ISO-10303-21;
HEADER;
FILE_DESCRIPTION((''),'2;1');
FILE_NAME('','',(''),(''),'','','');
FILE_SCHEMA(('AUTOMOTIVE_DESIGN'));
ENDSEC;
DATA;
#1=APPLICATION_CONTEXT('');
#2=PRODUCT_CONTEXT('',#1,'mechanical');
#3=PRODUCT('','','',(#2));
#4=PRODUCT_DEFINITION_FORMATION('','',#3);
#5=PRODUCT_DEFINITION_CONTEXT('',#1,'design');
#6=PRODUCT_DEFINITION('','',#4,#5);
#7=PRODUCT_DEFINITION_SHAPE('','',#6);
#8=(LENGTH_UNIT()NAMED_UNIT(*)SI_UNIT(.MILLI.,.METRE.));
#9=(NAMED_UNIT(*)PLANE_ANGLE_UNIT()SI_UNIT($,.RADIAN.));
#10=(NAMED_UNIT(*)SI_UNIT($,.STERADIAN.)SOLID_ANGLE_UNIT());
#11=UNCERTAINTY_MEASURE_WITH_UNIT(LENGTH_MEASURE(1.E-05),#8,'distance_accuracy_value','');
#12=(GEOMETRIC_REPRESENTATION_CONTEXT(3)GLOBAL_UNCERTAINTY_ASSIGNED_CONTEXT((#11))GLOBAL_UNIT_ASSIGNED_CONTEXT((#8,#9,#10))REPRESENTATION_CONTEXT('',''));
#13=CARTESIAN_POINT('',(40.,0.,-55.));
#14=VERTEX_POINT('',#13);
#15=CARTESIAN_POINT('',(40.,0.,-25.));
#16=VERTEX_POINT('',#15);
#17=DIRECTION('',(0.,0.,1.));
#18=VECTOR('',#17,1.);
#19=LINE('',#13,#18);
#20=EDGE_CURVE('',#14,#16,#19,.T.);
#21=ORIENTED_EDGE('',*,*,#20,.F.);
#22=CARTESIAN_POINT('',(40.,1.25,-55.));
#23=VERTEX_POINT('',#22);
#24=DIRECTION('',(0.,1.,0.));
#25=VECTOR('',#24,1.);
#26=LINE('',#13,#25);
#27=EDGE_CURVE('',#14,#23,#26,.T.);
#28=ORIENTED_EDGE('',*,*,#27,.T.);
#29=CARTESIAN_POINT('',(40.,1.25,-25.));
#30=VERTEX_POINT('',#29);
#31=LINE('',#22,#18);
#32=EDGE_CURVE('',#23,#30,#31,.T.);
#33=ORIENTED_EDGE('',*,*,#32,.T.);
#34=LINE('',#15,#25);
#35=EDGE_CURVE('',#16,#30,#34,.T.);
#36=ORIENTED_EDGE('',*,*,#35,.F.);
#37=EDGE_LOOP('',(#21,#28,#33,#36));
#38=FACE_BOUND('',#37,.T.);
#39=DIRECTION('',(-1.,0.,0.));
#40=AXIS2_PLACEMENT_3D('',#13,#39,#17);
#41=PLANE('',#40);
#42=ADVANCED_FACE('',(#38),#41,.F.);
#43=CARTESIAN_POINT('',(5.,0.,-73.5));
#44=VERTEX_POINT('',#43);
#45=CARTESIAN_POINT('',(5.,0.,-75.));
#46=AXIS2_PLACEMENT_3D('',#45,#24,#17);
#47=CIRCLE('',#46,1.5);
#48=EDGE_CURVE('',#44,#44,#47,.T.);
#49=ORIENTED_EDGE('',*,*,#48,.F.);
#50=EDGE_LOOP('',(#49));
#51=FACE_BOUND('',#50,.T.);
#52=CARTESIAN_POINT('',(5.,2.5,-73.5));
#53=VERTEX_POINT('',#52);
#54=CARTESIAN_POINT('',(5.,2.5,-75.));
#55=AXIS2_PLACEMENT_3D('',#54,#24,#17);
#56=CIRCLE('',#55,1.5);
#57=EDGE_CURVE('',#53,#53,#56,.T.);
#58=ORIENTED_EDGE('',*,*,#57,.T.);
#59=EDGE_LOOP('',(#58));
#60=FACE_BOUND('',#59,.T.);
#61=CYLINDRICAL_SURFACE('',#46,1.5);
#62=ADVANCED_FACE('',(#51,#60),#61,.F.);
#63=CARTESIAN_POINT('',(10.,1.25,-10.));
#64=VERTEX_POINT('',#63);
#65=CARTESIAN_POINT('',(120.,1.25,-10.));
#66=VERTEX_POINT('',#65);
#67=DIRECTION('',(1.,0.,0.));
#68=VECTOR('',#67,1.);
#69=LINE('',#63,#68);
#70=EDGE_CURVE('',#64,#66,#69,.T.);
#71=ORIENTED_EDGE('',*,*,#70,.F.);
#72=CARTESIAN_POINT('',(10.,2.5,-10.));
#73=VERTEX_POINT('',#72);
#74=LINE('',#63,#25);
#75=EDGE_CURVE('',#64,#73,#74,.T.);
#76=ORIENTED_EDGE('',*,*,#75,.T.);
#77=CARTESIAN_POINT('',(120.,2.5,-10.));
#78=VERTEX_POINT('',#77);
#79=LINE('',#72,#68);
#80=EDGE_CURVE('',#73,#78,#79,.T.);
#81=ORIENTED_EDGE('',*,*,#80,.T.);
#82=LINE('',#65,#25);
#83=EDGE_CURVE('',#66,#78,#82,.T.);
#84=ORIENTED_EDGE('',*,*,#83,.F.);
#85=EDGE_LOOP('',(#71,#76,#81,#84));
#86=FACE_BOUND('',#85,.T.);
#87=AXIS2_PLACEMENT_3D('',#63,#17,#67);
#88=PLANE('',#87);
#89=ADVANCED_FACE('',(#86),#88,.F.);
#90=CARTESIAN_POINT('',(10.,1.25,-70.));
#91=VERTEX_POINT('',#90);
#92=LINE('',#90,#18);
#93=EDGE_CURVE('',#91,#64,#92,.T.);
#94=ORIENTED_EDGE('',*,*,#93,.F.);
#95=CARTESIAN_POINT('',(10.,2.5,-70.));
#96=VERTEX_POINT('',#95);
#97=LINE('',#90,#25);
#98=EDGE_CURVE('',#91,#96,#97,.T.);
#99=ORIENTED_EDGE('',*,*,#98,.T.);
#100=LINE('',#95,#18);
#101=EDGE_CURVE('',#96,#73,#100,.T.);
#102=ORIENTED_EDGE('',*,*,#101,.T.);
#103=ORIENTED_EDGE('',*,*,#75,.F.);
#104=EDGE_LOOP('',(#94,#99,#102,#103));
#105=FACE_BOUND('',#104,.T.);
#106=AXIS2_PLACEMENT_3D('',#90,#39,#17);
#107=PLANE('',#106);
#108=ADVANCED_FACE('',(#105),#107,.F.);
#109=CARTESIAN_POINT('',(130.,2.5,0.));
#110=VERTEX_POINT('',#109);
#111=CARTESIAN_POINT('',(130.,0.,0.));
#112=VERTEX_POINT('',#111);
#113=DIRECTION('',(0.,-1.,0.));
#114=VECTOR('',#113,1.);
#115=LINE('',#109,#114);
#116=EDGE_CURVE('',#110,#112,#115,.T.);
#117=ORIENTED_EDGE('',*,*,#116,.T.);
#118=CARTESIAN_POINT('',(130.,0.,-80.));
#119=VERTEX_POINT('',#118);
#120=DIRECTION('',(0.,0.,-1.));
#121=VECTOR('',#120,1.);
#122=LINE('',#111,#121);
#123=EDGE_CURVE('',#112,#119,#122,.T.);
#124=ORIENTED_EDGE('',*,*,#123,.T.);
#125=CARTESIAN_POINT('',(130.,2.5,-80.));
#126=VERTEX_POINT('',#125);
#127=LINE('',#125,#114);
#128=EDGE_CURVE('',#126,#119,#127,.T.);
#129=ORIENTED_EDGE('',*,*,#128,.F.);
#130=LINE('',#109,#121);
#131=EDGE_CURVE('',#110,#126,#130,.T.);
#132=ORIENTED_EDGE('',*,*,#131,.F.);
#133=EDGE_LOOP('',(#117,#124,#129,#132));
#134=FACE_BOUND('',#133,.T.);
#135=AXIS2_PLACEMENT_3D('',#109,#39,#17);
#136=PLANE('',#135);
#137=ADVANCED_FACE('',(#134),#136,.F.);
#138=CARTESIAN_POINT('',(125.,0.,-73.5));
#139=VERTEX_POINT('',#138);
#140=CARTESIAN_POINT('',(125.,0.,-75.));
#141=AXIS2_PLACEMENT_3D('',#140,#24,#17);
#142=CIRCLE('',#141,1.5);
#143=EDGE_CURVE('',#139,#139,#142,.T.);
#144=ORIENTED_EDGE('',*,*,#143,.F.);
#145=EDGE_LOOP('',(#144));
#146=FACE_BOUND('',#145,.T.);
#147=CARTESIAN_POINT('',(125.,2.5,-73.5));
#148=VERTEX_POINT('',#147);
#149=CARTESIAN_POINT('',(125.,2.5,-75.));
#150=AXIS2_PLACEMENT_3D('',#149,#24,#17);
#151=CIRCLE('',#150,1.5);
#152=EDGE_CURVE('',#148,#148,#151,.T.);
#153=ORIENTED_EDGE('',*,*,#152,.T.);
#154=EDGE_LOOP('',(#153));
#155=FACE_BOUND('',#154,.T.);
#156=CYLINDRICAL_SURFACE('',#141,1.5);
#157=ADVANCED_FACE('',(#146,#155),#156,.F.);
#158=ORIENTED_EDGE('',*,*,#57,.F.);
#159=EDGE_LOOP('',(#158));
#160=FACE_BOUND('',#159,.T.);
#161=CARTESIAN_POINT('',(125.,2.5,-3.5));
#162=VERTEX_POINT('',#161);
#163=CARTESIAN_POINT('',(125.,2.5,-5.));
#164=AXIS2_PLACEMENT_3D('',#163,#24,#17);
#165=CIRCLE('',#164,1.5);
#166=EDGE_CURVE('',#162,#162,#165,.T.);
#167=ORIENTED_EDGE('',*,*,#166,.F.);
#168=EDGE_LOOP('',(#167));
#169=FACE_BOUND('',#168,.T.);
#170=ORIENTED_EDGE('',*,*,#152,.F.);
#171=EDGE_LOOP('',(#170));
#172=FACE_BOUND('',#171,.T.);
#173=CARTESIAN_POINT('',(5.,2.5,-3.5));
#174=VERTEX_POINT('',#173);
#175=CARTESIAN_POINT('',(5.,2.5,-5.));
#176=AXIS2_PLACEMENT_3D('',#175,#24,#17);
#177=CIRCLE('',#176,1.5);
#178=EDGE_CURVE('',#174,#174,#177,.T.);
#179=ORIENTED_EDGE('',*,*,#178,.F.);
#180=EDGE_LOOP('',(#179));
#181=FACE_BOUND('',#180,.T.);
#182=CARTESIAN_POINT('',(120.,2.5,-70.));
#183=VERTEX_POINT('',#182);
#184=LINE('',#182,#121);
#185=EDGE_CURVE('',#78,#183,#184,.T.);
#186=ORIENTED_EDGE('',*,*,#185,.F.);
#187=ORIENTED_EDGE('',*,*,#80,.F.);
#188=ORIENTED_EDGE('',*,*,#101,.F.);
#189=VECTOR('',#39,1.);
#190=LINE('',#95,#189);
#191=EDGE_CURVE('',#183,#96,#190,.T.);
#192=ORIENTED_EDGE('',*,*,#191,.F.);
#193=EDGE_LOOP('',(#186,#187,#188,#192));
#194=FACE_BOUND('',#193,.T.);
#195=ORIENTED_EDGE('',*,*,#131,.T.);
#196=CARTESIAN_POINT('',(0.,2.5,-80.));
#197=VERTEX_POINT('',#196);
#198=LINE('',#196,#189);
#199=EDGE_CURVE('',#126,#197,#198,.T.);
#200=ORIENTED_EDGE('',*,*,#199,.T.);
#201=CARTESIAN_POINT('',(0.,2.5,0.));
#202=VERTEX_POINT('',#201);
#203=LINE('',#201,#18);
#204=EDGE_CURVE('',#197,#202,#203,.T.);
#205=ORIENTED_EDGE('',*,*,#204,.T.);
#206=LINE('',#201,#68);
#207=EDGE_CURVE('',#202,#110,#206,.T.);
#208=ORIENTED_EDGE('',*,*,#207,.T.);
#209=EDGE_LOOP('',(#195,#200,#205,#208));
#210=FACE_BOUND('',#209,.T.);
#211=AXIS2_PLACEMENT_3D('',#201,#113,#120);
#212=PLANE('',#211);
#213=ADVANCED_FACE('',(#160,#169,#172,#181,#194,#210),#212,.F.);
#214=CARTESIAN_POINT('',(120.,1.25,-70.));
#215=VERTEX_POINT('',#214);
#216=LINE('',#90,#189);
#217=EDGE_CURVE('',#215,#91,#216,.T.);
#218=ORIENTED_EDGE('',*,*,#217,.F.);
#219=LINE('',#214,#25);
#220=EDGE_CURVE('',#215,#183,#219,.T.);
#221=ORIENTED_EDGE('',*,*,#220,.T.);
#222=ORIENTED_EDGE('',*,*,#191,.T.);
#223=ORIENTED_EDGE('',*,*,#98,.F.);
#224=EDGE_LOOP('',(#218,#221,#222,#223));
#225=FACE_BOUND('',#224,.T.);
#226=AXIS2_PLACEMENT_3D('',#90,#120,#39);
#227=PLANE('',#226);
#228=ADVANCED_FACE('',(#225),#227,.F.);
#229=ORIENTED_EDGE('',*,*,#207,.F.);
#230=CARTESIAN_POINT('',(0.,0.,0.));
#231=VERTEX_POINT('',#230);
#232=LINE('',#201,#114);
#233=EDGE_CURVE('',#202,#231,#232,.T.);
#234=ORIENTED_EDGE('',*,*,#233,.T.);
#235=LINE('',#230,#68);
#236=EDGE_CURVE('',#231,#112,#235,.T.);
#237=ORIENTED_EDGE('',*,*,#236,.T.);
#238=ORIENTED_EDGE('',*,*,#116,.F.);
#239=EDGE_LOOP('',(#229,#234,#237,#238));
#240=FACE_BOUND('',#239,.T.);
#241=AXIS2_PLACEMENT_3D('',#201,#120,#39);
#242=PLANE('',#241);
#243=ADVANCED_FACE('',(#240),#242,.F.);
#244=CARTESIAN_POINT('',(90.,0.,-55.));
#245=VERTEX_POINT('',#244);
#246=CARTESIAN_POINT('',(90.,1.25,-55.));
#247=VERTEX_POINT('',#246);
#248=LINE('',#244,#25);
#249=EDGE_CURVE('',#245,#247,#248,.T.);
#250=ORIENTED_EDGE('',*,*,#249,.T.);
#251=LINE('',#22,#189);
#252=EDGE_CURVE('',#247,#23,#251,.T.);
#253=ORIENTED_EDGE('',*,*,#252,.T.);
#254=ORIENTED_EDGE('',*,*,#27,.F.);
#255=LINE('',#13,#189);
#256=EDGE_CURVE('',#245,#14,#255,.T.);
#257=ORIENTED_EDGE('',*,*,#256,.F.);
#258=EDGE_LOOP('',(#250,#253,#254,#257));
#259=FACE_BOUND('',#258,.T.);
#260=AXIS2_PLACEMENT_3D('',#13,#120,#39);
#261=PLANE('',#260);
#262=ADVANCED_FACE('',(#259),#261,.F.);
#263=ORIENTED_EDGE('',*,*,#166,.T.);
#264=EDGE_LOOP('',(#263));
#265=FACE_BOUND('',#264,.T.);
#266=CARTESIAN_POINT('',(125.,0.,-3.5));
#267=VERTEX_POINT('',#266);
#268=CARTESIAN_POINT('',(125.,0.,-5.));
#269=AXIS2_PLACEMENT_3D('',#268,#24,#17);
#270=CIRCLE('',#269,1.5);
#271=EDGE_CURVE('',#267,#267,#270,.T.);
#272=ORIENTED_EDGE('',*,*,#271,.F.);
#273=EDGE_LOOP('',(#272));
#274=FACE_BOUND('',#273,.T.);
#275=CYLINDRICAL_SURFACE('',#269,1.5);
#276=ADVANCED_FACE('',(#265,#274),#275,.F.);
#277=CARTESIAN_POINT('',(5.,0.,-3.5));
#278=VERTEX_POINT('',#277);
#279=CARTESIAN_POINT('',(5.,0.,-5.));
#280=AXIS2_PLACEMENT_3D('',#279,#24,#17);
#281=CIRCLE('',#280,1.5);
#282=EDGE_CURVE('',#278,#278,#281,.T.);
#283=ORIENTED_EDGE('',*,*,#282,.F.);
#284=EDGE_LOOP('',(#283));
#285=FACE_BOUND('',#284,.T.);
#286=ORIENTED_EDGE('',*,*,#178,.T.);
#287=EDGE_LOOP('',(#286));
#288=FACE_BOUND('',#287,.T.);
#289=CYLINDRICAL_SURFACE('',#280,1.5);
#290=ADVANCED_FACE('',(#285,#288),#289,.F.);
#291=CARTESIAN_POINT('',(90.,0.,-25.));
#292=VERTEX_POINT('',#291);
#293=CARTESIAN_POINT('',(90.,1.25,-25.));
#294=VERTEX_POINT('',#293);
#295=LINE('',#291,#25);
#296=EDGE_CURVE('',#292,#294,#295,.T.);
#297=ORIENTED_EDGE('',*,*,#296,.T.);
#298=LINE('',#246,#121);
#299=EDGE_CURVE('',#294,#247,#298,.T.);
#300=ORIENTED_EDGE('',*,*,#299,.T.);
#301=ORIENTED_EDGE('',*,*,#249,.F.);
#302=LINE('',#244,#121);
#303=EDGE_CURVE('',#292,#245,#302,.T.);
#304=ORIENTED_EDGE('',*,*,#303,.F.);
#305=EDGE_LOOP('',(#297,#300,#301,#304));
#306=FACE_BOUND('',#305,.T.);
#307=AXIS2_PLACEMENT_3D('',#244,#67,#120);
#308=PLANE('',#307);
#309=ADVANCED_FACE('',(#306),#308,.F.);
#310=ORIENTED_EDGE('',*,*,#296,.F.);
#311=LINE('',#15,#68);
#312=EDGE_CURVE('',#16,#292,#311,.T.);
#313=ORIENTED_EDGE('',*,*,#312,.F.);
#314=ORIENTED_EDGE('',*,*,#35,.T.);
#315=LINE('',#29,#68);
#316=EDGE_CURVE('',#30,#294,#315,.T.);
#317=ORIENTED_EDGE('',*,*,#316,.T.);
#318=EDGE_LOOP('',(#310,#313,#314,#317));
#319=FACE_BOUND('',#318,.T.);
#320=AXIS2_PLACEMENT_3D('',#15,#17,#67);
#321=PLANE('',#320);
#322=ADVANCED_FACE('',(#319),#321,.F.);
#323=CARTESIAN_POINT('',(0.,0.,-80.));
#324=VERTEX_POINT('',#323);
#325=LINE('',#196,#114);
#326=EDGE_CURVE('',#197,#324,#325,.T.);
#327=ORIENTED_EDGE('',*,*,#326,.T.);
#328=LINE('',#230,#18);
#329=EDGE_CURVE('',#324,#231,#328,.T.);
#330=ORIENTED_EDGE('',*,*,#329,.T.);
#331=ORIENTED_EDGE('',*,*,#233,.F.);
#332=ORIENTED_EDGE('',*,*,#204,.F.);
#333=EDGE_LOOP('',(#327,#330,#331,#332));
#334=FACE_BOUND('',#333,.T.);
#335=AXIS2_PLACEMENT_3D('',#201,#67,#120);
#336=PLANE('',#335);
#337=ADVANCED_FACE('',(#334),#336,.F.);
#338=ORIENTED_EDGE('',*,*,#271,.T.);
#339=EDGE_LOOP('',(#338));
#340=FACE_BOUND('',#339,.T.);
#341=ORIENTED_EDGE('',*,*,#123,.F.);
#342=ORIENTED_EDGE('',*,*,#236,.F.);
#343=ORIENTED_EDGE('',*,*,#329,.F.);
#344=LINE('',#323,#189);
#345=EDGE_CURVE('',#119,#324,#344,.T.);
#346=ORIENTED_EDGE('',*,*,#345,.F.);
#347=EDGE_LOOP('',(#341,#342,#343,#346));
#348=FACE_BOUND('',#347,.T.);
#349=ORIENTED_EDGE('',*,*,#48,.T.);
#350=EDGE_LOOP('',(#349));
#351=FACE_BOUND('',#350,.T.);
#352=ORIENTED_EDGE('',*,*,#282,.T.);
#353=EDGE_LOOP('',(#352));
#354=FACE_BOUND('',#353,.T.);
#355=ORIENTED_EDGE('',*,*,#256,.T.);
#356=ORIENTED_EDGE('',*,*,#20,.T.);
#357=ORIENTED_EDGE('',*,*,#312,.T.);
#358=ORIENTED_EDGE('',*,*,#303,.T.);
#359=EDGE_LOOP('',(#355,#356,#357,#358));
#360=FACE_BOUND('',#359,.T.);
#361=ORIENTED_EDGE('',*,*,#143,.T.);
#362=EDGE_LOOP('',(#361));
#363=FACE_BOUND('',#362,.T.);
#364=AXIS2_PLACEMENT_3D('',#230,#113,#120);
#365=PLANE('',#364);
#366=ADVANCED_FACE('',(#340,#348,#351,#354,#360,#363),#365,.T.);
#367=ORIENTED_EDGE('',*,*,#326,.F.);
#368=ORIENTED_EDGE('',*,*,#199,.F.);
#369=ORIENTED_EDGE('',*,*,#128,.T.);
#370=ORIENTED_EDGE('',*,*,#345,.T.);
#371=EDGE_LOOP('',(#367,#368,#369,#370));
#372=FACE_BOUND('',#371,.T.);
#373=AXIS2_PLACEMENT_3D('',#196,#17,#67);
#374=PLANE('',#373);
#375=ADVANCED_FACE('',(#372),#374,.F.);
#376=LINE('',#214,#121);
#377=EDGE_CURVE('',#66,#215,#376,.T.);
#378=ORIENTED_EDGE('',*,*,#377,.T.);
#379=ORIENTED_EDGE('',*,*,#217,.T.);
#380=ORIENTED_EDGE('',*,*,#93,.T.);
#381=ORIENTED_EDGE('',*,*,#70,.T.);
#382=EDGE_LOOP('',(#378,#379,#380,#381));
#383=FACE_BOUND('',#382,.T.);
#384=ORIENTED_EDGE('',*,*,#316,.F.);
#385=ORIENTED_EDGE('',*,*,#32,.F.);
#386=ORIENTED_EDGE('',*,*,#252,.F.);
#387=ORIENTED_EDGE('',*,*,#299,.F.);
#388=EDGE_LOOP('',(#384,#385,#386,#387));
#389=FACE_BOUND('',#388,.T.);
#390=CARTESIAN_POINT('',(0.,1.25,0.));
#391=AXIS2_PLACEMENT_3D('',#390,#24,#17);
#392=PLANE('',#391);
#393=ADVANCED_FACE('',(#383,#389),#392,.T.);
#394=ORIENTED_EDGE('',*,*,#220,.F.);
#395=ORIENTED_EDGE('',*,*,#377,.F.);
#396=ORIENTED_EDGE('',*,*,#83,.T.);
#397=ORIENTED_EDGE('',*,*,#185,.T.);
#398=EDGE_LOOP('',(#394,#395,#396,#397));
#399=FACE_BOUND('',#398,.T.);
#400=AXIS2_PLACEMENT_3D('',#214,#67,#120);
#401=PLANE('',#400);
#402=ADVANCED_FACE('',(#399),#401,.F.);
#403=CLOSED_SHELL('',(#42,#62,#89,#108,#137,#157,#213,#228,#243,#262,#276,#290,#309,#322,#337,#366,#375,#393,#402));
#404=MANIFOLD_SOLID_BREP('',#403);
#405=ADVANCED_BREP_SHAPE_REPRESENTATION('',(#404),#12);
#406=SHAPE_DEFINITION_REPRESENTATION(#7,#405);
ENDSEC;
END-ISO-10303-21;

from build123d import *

# Parameters (mm, degrees)
SKETCH1_W           = 130
SKETCH1_H           = 80
BOSS_EXTRUDE1_DEPTH = 2.5
SKETCH2_W           = 110
SKETCH2_H           = 60
CUT_EXTRUDE1_DEPTH  = 1.25
SKETCH3_R           = 1.5
CUT_EXTRUDE2_DEPTH  = 153.663846408
SKETCH4_W           = 50
SKETCH4_H           = 30
CUT_EXTRUDE3_DEPTH  = 153.648493278


with BuildPart() as part:
    # Sketch1 → Boss-Extrude1 (new body)
    with BuildSketch(Plane(origin=(0, 0, 0), x_dir=(1, 0, 0), z_dir=(0, 1, 0))):
        with Locations((65, 40)):
            Rectangle(SKETCH1_W, SKETCH1_H)
    extrude(amount=BOSS_EXTRUDE1_DEPTH)

    # Sketch2 → Cut-Extrude1 (cut)
    with BuildSketch(Plane(origin=(0, 2.5, 0), x_dir=(1, 0, 0), z_dir=(0, 1, 0))):
        with Locations((65, 40)):
            Rectangle(SKETCH2_W, SKETCH2_H)
    extrude(amount=-CUT_EXTRUDE1_DEPTH, mode=Mode.SUBTRACT)

    # Sketch3 → Cut-Extrude2 (cut, through all)
    with BuildSketch(Plane(origin=(0, 2.5, 0), x_dir=(1, 0, 0), z_dir=(0, 1, 0))):
        with Locations(Location((5, 75, 0), (0, 0, 270))):
            Circle(SKETCH3_R)
        with Locations(Location((125, 75, 0), (0, 0, 270))):
            Circle(SKETCH3_R)
        with Locations(Location((125, 5, 0), (0, 0, 270))):
            Circle(SKETCH3_R)
        with Locations(Location((5, 5, 0), (0, 0, 270))):
            Circle(SKETCH3_R)
    extrude(amount=-CUT_EXTRUDE2_DEPTH, mode=Mode.SUBTRACT)

    # Sketch4 → Cut-Extrude3 (cut, through all)
    with BuildSketch(Plane(origin=(0, 1.25, 0), x_dir=(1, 0, 0), z_dir=(0, 1, 0))):
        with Locations((65, 40)):
            Rectangle(SKETCH4_W, SKETCH4_H)
    extrude(amount=-CUT_EXTRUDE3_DEPTH, mode=Mode.SUBTRACT)


solid = part.part
